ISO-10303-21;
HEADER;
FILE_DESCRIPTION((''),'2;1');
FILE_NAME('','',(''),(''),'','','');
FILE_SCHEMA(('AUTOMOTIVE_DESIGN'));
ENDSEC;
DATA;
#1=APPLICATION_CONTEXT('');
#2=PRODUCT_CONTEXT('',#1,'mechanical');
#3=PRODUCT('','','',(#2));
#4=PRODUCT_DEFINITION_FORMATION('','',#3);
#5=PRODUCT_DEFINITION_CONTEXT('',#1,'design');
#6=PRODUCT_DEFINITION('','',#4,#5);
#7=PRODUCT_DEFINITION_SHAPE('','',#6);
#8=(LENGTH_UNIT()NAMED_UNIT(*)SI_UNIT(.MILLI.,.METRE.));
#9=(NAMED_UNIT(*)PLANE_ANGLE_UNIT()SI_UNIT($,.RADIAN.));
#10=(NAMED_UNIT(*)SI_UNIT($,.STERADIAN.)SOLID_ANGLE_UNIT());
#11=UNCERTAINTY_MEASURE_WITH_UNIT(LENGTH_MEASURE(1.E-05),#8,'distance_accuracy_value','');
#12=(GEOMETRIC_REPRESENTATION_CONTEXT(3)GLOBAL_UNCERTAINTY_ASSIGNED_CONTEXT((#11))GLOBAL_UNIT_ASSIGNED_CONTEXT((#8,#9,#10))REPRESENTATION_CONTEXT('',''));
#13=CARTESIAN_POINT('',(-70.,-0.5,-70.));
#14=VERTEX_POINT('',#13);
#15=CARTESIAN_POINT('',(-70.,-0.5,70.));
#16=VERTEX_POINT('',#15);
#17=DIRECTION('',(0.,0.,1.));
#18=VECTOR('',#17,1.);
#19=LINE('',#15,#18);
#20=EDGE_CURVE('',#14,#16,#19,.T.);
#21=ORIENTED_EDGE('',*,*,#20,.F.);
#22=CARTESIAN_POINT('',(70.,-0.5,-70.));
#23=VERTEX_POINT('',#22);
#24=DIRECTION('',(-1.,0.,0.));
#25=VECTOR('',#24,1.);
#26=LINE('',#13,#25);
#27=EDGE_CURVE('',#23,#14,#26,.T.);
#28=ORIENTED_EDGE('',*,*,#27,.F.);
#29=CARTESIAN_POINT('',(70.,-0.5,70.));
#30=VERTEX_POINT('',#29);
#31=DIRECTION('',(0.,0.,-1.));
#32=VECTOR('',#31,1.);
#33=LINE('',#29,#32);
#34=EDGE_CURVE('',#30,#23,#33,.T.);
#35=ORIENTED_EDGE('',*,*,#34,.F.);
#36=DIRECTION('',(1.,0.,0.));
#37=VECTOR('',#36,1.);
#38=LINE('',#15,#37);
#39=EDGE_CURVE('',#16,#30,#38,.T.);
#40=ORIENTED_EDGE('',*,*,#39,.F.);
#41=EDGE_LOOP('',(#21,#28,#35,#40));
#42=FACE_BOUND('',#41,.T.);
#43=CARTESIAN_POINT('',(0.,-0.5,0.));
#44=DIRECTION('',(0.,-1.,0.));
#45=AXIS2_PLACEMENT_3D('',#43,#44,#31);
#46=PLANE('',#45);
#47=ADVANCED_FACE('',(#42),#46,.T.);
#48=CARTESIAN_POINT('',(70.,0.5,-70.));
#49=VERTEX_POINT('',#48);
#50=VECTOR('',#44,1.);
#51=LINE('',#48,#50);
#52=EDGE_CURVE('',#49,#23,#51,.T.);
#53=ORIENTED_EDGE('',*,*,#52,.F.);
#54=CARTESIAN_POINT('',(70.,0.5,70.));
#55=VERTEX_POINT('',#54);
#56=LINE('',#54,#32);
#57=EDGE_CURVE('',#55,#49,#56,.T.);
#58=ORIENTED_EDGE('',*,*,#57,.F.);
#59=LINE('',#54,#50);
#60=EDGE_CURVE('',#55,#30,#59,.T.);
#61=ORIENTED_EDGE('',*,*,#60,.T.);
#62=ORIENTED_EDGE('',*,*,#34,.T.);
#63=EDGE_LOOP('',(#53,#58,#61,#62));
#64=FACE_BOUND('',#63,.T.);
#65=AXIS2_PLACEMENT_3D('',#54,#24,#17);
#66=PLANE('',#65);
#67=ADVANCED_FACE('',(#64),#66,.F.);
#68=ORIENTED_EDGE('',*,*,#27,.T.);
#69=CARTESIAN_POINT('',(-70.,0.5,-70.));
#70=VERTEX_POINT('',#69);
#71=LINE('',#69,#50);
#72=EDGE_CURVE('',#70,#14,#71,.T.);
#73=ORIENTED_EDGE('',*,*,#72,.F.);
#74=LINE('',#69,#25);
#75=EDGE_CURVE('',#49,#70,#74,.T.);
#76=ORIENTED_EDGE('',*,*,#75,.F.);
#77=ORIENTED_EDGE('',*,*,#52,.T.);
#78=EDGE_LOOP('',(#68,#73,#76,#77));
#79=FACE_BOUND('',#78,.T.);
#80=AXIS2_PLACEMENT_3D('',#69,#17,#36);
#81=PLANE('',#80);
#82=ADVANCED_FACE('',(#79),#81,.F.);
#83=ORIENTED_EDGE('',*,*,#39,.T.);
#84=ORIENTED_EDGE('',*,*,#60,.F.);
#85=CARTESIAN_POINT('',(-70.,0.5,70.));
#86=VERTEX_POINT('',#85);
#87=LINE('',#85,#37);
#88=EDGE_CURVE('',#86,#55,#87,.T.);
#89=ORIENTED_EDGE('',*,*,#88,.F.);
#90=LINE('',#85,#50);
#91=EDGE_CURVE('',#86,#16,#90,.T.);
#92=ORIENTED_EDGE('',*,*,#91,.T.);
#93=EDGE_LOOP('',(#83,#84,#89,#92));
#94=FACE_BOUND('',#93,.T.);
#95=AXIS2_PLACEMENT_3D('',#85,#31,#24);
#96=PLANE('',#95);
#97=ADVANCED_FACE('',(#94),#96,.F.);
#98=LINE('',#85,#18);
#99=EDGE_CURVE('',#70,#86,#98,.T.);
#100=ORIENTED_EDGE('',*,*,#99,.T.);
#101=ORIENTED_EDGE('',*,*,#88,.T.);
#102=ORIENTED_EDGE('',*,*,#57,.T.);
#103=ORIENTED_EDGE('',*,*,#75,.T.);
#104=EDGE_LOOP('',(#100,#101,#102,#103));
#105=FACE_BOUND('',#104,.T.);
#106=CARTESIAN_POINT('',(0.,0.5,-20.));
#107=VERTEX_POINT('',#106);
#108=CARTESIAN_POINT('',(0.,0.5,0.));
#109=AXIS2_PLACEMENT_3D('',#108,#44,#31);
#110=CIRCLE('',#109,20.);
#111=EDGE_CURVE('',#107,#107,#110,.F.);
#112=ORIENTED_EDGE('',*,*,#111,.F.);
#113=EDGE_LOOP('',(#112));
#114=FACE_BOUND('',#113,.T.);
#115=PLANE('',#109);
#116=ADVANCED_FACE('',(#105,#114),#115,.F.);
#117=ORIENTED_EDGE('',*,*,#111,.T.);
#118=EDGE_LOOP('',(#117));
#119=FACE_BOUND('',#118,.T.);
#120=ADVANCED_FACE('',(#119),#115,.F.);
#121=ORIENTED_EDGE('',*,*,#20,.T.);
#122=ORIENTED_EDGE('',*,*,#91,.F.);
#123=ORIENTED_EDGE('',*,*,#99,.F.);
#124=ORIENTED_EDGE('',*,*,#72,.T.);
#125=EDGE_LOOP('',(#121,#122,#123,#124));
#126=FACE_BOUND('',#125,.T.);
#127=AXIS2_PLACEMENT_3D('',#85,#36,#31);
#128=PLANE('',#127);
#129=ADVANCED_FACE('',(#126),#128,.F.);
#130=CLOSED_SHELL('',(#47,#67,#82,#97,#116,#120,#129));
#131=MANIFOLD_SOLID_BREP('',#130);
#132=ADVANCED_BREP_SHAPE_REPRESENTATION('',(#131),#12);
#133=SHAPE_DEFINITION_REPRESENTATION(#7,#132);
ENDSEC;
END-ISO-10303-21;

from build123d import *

# Parameters (mm, degrees)
SKETCH1_W           = 140
SKETCH1_H           = 140
BOSS_EXTRUDE1_DEPTH = 0.5


with BuildPart() as part:
    # Sketch1 → Boss-Extrude1 (new, symmetric)
    with BuildSketch(Plane(origin=(0, 0, 0), x_dir=(1, 0, 0), z_dir=(0, 1, 0))):
        Rectangle(SKETCH1_W, SKETCH1_H)
    extrude(amount=BOSS_EXTRUDE1_DEPTH, both=True)


solid = part.part
